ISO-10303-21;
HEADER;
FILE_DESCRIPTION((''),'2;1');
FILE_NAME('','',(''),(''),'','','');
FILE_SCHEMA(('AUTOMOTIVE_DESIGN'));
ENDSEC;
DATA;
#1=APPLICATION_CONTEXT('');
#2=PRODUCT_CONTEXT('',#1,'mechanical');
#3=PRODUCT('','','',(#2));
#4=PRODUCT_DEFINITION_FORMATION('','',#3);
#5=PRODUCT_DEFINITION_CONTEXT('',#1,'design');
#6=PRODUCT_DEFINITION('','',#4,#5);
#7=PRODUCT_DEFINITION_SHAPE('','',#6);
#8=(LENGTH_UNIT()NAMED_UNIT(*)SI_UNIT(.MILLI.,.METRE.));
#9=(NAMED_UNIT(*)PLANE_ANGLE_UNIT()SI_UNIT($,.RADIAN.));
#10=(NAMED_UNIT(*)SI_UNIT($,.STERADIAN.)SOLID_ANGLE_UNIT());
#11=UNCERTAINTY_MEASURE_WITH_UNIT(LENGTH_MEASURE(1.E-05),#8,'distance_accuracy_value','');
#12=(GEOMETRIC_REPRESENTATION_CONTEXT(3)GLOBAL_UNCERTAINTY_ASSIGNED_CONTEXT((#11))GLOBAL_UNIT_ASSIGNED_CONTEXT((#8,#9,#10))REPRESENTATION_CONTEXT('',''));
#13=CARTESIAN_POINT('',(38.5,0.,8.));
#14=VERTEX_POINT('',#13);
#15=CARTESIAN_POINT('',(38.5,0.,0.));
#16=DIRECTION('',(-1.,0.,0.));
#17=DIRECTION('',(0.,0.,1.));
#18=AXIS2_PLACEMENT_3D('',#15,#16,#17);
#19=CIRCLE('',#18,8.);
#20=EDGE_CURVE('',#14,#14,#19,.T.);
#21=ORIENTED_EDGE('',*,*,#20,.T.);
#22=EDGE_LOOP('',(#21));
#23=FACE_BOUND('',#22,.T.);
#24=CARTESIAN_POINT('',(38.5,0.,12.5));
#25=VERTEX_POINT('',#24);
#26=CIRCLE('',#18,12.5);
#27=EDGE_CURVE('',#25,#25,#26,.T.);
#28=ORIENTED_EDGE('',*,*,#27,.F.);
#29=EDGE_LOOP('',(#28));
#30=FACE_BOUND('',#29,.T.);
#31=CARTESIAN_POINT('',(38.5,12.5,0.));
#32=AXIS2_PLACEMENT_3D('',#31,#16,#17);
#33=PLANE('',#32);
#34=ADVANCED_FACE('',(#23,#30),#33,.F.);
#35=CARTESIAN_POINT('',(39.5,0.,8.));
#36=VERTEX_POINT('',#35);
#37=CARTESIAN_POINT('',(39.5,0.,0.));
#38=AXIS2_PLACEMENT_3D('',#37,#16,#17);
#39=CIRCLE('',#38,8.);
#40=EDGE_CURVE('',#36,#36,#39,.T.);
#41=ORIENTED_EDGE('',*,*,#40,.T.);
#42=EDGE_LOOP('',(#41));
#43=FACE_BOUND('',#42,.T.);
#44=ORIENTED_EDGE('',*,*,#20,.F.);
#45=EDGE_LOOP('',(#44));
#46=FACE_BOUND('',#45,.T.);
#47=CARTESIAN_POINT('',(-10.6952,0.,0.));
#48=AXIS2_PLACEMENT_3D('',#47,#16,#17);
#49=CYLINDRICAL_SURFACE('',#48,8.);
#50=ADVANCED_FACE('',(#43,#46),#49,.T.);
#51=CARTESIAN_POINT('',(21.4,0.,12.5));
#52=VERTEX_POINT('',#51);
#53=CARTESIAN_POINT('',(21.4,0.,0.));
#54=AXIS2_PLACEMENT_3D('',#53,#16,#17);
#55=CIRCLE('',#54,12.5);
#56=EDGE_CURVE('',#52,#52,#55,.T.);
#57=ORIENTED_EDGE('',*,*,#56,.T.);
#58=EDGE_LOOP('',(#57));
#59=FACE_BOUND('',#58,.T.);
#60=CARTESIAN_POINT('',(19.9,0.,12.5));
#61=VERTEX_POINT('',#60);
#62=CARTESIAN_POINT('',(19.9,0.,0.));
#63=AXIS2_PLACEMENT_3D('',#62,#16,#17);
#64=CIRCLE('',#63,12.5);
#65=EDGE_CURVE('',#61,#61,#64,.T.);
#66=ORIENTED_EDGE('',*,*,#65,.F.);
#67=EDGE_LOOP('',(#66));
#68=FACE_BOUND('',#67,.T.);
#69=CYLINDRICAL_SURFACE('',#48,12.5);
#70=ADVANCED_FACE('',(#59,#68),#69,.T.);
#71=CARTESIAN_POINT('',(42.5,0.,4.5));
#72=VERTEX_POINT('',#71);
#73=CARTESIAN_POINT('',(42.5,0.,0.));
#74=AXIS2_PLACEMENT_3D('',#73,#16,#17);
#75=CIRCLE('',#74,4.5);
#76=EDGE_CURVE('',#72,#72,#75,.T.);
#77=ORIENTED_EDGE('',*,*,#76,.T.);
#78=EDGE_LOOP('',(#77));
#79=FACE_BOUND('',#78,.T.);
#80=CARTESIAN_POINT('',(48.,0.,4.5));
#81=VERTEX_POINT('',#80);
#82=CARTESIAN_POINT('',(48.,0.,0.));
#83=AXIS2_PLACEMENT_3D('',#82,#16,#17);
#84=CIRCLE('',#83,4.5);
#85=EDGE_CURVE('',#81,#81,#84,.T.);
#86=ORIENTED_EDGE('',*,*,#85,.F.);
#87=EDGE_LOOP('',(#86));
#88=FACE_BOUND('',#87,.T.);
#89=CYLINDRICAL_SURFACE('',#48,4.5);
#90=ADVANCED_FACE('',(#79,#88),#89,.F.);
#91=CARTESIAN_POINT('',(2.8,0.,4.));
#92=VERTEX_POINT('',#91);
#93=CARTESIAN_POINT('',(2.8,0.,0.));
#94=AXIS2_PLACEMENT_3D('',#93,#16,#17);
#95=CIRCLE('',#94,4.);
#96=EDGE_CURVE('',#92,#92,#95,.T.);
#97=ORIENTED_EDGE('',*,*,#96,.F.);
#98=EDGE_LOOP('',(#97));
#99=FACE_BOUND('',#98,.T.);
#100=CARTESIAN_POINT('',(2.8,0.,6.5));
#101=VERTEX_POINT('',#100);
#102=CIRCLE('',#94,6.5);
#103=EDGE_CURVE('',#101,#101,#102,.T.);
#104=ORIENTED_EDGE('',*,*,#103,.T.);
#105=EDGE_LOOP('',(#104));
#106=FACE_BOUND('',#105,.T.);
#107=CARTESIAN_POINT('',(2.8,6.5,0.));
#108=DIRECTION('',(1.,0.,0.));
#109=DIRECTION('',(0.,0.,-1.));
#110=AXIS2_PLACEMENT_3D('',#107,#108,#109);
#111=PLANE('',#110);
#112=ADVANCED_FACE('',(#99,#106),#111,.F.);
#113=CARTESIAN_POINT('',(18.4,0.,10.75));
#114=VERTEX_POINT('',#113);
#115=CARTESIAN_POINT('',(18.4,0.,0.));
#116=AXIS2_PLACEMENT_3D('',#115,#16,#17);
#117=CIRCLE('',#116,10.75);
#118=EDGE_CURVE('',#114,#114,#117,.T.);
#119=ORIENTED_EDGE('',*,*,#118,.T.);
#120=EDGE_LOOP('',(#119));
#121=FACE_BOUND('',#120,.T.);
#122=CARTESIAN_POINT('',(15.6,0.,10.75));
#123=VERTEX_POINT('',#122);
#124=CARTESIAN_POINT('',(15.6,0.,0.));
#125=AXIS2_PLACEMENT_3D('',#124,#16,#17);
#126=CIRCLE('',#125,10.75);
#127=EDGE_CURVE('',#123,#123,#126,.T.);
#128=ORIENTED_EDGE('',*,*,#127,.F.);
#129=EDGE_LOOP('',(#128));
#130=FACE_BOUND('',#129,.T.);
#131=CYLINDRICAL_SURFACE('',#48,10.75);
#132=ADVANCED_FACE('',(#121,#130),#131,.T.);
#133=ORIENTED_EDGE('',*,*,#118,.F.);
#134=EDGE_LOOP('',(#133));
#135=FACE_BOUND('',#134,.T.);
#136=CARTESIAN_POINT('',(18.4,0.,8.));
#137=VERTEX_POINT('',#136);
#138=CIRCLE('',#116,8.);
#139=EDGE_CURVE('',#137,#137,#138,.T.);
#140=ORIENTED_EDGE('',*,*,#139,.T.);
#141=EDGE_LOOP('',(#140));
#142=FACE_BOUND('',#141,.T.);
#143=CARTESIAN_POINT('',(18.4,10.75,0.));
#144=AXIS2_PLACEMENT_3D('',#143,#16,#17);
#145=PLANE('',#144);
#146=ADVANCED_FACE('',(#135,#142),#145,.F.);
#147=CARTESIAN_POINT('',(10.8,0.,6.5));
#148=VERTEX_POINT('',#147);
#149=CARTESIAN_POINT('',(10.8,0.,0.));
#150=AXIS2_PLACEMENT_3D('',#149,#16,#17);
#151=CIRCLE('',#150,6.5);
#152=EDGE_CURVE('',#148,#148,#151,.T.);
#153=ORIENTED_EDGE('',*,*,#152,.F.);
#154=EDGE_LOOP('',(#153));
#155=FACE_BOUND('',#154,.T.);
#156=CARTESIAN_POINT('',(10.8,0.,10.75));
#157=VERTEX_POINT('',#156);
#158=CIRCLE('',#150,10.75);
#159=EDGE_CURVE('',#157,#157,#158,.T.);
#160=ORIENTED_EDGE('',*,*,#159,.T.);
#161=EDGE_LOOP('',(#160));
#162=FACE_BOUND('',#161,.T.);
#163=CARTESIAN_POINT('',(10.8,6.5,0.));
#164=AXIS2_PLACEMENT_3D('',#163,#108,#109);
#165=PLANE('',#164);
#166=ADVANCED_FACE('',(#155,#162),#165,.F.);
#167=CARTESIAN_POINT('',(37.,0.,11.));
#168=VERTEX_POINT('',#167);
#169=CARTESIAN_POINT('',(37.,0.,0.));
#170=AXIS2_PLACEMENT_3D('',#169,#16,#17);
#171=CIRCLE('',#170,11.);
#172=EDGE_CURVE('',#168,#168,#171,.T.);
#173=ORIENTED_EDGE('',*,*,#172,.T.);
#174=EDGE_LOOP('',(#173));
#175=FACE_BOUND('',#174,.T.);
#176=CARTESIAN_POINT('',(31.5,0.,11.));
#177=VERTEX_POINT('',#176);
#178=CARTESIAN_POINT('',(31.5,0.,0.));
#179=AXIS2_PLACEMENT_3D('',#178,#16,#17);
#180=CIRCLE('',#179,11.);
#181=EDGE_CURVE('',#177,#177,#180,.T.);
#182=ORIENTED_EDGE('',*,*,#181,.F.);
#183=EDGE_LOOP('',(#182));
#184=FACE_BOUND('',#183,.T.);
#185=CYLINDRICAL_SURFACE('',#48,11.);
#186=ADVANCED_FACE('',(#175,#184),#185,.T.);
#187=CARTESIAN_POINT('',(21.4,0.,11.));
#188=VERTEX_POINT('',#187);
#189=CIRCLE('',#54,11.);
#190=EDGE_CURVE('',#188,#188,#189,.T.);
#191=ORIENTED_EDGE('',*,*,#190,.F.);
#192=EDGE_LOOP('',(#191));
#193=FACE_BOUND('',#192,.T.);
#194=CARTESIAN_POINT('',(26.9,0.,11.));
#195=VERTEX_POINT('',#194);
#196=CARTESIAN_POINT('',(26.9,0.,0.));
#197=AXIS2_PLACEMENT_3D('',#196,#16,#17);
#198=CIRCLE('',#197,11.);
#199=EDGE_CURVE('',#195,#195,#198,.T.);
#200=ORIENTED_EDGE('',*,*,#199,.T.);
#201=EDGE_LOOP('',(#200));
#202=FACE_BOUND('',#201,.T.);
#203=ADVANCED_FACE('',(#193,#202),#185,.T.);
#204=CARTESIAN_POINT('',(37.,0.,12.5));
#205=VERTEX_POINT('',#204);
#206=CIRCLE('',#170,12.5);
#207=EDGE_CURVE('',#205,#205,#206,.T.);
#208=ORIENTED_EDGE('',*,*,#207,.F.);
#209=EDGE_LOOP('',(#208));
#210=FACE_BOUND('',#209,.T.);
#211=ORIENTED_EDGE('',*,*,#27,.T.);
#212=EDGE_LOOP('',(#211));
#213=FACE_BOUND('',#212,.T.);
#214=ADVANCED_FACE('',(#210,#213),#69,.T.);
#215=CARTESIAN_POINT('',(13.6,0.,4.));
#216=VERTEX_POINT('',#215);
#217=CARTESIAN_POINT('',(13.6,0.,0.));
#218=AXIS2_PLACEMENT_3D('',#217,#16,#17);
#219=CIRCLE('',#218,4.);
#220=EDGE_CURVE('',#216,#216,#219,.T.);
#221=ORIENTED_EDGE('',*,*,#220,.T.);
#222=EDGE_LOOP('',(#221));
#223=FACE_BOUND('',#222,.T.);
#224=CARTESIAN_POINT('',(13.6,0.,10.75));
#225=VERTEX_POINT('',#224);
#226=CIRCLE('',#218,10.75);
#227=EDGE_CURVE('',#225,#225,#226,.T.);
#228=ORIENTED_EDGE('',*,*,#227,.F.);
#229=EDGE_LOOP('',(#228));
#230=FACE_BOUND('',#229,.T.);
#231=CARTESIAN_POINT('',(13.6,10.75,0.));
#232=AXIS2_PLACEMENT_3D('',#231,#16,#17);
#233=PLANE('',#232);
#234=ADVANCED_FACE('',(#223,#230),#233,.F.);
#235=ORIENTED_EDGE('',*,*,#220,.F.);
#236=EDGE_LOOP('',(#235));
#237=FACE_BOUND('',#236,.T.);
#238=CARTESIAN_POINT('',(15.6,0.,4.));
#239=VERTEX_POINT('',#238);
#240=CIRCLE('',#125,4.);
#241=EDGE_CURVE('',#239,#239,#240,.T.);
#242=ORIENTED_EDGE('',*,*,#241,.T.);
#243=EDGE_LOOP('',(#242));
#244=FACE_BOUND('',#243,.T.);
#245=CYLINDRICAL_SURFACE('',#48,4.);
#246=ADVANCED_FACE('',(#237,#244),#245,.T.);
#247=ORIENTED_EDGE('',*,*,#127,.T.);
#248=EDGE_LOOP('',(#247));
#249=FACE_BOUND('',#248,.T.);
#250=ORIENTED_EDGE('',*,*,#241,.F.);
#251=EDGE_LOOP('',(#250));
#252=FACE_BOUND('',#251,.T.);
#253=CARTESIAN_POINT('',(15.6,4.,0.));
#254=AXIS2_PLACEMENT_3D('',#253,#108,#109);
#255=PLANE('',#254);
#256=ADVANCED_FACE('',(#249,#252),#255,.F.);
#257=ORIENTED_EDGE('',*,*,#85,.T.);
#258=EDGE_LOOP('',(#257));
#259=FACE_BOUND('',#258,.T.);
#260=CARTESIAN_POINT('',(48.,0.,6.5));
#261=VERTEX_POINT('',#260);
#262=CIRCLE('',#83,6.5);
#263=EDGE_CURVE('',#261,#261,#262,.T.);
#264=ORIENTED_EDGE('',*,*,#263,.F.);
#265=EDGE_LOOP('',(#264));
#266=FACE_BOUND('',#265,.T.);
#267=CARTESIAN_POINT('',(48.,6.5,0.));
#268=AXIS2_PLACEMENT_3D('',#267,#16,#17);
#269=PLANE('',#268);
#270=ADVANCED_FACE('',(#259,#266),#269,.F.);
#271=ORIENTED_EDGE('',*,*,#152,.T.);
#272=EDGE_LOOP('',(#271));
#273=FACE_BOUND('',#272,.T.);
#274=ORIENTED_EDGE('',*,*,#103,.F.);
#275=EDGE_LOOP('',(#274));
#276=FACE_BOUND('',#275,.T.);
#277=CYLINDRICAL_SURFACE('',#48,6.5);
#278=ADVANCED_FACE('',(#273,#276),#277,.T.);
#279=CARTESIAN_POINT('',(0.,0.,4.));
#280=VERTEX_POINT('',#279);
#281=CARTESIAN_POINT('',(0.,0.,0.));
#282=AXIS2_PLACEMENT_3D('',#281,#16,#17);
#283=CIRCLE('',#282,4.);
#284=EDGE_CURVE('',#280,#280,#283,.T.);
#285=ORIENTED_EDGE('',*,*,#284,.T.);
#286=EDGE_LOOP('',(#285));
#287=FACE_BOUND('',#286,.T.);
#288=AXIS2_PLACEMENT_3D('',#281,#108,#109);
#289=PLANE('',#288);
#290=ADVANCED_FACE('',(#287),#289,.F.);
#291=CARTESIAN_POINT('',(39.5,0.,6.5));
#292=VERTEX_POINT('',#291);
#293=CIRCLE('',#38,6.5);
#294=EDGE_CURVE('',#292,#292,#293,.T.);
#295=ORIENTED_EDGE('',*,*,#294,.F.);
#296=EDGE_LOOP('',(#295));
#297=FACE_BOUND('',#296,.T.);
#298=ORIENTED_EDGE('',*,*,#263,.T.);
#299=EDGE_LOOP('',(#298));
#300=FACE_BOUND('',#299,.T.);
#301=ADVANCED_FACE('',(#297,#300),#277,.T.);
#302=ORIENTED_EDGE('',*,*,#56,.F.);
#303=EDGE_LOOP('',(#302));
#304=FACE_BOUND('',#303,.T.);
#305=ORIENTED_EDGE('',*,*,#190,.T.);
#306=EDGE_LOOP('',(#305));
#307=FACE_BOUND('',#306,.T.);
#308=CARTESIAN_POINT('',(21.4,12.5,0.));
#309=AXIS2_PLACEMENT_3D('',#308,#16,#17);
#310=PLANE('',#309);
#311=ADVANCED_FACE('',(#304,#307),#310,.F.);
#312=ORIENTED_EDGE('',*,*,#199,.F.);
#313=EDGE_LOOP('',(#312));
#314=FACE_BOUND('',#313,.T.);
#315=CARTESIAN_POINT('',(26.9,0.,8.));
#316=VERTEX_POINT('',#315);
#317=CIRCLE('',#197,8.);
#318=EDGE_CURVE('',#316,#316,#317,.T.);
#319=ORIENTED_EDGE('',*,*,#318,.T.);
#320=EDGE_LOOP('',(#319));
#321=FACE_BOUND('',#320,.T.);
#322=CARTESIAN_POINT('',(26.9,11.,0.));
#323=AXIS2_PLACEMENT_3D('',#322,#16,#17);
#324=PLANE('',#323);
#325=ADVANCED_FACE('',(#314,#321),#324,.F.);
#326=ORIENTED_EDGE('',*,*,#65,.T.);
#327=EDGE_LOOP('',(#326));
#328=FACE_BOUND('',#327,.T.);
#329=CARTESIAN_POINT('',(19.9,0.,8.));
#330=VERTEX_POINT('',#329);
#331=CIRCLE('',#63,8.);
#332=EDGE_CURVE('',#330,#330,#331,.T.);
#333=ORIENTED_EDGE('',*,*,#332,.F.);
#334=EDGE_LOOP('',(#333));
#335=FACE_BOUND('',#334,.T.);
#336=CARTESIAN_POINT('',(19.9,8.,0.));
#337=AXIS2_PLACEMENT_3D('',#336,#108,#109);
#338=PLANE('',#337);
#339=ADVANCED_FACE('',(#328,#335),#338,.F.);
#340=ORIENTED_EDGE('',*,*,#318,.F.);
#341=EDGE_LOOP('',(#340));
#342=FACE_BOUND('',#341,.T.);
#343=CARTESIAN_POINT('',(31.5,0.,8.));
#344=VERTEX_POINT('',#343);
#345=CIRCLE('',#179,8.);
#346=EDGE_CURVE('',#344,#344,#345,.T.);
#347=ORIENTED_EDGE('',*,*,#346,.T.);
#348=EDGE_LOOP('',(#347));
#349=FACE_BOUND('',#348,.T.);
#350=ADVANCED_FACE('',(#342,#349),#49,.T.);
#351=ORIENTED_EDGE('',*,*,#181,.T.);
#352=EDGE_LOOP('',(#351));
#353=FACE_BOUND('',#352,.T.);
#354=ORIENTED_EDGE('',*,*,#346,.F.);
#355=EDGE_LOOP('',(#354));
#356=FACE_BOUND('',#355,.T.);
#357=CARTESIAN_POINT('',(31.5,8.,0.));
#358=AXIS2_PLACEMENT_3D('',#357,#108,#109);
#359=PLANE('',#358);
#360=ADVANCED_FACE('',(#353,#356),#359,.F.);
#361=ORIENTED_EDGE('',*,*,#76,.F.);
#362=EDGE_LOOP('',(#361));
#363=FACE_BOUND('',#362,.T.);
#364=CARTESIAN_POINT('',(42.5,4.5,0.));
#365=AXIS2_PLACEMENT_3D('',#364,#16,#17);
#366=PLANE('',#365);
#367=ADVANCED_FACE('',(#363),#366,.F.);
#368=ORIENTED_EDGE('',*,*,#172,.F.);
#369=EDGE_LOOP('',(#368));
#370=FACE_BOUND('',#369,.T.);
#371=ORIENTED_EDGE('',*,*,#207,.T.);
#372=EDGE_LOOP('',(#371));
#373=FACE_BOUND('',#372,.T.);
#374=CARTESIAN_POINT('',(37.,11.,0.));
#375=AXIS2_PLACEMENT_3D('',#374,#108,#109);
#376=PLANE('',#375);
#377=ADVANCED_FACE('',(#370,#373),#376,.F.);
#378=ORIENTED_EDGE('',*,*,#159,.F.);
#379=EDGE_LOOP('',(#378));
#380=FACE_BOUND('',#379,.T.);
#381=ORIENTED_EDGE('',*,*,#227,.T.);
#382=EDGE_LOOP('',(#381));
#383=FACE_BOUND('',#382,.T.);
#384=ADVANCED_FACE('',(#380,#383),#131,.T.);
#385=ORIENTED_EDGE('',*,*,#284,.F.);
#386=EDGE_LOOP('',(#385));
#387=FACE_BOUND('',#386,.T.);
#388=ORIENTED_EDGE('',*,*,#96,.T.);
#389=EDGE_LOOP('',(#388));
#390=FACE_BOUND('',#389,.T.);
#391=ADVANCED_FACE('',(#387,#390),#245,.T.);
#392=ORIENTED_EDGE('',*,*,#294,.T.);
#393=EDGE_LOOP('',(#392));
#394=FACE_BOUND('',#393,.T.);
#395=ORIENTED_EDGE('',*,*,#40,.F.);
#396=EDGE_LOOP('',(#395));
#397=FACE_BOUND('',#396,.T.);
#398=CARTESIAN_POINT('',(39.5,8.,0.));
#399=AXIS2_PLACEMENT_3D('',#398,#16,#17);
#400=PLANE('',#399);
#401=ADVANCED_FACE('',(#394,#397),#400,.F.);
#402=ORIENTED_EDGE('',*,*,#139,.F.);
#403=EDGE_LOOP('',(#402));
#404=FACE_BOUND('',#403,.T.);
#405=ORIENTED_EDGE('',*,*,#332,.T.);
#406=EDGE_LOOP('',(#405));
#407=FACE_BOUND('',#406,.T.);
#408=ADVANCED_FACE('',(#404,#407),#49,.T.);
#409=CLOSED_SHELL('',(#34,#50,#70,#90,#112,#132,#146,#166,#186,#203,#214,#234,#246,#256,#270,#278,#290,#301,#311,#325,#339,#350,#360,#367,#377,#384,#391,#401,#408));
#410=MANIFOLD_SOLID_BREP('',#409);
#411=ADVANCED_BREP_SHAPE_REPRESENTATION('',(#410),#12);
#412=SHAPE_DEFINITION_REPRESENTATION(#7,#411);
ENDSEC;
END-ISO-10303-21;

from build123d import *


with BuildPart() as part:
    # Sketch1 → Revolve1 (revolve)
    with BuildSketch(Plane.XY, mode=Mode.PRIVATE) as revolve1_sk:
        Polygon((10.8, 6.5), (2.8, 6.5), (2.8, 4), (0, 4), (0, 0), (42.5, 0), (42.5, 4.5), (48, 4.5), (48, 6.5), (39.5, 6.5), (39.5, 8), (38.5, 8), (38.5, 12.5), (37, 12.5), (37, 11), (31.5, 11), (31.5, 8), (26.9, 8), (26.9, 11), (21.4, 11), (21.4, 12.5), (19.9, 12.5), (19.9, 8), (18.4, 8), (18.4, 10.75), (15.6, 10.75), (15.6, 4), (13.6, 4), (13.6, 10.75), (10.8, 10.75), align=None)
    revolve(revolve1_sk.sketch.rotate(Axis((-10.695200226, 0, 0), (1, 0, 0)), 90), axis=Axis((-10.695200226, 0, 0), (1, 0, 0)))


solid = part.part
